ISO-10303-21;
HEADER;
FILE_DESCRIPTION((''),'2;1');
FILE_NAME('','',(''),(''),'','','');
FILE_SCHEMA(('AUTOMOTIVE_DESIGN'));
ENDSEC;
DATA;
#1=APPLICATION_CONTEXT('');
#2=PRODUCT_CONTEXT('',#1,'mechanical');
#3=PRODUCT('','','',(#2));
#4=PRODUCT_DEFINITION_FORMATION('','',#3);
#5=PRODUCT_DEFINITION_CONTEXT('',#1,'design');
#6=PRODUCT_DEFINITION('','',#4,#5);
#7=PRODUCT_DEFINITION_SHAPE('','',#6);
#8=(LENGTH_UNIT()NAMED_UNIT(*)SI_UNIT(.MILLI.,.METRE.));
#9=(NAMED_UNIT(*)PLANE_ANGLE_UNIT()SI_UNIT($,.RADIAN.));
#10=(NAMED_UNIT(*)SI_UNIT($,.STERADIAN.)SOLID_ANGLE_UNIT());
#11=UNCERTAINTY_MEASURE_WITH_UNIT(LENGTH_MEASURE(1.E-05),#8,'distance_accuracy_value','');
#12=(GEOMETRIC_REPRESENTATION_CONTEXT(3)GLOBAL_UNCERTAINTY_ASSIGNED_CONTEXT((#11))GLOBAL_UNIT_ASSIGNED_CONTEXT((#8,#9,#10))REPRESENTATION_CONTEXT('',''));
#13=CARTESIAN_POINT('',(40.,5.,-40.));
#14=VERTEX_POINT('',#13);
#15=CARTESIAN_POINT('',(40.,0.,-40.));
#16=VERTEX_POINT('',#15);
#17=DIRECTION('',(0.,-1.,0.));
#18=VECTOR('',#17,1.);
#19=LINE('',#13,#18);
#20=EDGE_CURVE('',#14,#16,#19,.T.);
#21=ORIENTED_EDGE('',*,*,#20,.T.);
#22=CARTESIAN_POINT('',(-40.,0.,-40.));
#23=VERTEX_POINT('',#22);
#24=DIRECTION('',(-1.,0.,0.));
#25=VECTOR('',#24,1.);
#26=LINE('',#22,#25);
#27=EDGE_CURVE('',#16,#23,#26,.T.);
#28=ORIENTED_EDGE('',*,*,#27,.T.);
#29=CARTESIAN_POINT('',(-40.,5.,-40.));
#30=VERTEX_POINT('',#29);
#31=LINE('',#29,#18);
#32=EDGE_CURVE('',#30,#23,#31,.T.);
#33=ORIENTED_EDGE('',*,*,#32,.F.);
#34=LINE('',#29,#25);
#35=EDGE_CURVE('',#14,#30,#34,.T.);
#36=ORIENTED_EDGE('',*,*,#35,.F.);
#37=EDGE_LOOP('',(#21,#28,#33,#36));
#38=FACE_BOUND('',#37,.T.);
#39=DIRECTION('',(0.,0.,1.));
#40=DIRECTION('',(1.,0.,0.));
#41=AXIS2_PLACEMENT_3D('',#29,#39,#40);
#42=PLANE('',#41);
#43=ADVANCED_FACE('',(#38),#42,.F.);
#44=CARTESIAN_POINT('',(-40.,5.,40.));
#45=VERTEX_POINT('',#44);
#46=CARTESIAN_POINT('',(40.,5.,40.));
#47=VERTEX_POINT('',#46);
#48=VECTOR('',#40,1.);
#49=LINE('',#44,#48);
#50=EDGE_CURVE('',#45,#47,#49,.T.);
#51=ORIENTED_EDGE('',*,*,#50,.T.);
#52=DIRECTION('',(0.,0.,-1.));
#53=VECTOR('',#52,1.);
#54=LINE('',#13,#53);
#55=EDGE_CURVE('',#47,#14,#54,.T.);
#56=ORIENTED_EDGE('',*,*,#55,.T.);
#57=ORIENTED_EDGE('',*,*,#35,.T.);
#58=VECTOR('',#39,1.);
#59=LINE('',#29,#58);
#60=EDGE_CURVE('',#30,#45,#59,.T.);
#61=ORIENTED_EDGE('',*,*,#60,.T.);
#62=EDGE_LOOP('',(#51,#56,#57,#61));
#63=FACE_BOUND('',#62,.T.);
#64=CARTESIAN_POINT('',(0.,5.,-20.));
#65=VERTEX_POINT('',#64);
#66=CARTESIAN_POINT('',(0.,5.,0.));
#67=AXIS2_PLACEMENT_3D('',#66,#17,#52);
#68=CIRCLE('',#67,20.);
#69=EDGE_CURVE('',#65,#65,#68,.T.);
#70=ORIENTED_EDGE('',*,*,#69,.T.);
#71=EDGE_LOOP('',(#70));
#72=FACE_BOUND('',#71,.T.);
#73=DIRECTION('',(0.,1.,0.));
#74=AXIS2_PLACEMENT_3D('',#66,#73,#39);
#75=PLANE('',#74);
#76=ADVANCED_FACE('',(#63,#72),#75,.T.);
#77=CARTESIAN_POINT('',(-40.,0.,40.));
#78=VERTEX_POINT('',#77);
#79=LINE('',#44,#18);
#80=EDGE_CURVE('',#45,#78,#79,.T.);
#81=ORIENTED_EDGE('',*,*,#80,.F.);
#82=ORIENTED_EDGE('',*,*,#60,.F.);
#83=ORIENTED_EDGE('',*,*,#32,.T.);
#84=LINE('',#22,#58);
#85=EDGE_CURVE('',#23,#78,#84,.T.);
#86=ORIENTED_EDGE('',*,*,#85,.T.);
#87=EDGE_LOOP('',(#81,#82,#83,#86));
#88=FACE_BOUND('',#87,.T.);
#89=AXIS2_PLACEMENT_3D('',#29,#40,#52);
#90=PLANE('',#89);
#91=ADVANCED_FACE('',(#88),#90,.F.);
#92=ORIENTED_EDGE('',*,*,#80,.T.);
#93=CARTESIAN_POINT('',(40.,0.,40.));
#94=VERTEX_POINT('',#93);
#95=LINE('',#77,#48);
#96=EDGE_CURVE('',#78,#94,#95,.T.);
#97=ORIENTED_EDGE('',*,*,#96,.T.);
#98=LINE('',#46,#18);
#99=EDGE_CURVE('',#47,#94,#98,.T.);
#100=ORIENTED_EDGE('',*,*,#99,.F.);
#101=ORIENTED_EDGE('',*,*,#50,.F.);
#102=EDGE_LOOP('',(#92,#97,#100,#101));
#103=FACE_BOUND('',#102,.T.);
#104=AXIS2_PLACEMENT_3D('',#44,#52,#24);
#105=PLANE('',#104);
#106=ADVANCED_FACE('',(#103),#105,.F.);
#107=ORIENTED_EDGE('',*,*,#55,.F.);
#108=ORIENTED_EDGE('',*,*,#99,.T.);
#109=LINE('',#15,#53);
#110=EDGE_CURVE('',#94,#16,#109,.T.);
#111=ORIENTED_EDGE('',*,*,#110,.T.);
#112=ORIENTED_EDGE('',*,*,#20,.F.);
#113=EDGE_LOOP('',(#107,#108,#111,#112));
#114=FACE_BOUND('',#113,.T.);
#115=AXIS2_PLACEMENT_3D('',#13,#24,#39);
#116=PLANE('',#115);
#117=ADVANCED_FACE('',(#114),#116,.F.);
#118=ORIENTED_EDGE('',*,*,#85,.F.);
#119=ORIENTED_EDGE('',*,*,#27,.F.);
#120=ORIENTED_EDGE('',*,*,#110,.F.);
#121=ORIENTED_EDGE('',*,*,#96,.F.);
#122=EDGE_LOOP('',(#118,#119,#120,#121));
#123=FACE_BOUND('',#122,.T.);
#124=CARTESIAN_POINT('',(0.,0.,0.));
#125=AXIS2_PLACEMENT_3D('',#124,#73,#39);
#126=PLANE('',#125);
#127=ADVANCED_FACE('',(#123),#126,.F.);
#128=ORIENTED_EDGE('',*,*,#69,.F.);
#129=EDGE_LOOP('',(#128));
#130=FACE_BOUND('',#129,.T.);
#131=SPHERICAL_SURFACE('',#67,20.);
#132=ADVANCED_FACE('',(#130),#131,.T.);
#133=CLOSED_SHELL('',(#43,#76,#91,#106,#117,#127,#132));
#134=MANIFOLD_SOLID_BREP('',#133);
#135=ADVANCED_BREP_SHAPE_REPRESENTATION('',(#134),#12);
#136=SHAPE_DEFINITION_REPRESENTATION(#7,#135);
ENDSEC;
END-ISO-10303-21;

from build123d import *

# Parameters (mm, degrees)
ESQUISSE1_W        = 80
ESQUISSE1_H        = 80
BOSS_EXTRU_1_DEPTH = 5


with BuildPart() as part:
    # Esquisse1 → Boss.-Extru.1 (new body)
    with BuildSketch(Plane(origin=(0, 0, 0), x_dir=(1, 0, 0), z_dir=(0, 1, 0))):
        Rectangle(ESQUISSE1_W, ESQUISSE1_H)
    extrude(amount=BOSS_EXTRU_1_DEPTH)

    # Esquisse2 → Révolution2 (revolve)
    with BuildSketch(Plane(origin=(0, 0, 0), x_dir=(0, 0, -1), z_dir=(1, 0, 0)), mode=Mode.PRIVATE) as r_volution2_sk:
        with BuildLine():
            Line((-20, 5), (0, 5))
            Line((0, 5), (0, 25))
            ThreePointArc((0, 25), (-14.142135624, 19.142135624), (-20, 5))
        make_face()
    revolve(r_volution2_sk.sketch.rotate(Axis((0, 5, 0), (0, 1, 0)), 180), axis=Axis((0, 5, 0), (0, 1, 0)))


solid = part.part
